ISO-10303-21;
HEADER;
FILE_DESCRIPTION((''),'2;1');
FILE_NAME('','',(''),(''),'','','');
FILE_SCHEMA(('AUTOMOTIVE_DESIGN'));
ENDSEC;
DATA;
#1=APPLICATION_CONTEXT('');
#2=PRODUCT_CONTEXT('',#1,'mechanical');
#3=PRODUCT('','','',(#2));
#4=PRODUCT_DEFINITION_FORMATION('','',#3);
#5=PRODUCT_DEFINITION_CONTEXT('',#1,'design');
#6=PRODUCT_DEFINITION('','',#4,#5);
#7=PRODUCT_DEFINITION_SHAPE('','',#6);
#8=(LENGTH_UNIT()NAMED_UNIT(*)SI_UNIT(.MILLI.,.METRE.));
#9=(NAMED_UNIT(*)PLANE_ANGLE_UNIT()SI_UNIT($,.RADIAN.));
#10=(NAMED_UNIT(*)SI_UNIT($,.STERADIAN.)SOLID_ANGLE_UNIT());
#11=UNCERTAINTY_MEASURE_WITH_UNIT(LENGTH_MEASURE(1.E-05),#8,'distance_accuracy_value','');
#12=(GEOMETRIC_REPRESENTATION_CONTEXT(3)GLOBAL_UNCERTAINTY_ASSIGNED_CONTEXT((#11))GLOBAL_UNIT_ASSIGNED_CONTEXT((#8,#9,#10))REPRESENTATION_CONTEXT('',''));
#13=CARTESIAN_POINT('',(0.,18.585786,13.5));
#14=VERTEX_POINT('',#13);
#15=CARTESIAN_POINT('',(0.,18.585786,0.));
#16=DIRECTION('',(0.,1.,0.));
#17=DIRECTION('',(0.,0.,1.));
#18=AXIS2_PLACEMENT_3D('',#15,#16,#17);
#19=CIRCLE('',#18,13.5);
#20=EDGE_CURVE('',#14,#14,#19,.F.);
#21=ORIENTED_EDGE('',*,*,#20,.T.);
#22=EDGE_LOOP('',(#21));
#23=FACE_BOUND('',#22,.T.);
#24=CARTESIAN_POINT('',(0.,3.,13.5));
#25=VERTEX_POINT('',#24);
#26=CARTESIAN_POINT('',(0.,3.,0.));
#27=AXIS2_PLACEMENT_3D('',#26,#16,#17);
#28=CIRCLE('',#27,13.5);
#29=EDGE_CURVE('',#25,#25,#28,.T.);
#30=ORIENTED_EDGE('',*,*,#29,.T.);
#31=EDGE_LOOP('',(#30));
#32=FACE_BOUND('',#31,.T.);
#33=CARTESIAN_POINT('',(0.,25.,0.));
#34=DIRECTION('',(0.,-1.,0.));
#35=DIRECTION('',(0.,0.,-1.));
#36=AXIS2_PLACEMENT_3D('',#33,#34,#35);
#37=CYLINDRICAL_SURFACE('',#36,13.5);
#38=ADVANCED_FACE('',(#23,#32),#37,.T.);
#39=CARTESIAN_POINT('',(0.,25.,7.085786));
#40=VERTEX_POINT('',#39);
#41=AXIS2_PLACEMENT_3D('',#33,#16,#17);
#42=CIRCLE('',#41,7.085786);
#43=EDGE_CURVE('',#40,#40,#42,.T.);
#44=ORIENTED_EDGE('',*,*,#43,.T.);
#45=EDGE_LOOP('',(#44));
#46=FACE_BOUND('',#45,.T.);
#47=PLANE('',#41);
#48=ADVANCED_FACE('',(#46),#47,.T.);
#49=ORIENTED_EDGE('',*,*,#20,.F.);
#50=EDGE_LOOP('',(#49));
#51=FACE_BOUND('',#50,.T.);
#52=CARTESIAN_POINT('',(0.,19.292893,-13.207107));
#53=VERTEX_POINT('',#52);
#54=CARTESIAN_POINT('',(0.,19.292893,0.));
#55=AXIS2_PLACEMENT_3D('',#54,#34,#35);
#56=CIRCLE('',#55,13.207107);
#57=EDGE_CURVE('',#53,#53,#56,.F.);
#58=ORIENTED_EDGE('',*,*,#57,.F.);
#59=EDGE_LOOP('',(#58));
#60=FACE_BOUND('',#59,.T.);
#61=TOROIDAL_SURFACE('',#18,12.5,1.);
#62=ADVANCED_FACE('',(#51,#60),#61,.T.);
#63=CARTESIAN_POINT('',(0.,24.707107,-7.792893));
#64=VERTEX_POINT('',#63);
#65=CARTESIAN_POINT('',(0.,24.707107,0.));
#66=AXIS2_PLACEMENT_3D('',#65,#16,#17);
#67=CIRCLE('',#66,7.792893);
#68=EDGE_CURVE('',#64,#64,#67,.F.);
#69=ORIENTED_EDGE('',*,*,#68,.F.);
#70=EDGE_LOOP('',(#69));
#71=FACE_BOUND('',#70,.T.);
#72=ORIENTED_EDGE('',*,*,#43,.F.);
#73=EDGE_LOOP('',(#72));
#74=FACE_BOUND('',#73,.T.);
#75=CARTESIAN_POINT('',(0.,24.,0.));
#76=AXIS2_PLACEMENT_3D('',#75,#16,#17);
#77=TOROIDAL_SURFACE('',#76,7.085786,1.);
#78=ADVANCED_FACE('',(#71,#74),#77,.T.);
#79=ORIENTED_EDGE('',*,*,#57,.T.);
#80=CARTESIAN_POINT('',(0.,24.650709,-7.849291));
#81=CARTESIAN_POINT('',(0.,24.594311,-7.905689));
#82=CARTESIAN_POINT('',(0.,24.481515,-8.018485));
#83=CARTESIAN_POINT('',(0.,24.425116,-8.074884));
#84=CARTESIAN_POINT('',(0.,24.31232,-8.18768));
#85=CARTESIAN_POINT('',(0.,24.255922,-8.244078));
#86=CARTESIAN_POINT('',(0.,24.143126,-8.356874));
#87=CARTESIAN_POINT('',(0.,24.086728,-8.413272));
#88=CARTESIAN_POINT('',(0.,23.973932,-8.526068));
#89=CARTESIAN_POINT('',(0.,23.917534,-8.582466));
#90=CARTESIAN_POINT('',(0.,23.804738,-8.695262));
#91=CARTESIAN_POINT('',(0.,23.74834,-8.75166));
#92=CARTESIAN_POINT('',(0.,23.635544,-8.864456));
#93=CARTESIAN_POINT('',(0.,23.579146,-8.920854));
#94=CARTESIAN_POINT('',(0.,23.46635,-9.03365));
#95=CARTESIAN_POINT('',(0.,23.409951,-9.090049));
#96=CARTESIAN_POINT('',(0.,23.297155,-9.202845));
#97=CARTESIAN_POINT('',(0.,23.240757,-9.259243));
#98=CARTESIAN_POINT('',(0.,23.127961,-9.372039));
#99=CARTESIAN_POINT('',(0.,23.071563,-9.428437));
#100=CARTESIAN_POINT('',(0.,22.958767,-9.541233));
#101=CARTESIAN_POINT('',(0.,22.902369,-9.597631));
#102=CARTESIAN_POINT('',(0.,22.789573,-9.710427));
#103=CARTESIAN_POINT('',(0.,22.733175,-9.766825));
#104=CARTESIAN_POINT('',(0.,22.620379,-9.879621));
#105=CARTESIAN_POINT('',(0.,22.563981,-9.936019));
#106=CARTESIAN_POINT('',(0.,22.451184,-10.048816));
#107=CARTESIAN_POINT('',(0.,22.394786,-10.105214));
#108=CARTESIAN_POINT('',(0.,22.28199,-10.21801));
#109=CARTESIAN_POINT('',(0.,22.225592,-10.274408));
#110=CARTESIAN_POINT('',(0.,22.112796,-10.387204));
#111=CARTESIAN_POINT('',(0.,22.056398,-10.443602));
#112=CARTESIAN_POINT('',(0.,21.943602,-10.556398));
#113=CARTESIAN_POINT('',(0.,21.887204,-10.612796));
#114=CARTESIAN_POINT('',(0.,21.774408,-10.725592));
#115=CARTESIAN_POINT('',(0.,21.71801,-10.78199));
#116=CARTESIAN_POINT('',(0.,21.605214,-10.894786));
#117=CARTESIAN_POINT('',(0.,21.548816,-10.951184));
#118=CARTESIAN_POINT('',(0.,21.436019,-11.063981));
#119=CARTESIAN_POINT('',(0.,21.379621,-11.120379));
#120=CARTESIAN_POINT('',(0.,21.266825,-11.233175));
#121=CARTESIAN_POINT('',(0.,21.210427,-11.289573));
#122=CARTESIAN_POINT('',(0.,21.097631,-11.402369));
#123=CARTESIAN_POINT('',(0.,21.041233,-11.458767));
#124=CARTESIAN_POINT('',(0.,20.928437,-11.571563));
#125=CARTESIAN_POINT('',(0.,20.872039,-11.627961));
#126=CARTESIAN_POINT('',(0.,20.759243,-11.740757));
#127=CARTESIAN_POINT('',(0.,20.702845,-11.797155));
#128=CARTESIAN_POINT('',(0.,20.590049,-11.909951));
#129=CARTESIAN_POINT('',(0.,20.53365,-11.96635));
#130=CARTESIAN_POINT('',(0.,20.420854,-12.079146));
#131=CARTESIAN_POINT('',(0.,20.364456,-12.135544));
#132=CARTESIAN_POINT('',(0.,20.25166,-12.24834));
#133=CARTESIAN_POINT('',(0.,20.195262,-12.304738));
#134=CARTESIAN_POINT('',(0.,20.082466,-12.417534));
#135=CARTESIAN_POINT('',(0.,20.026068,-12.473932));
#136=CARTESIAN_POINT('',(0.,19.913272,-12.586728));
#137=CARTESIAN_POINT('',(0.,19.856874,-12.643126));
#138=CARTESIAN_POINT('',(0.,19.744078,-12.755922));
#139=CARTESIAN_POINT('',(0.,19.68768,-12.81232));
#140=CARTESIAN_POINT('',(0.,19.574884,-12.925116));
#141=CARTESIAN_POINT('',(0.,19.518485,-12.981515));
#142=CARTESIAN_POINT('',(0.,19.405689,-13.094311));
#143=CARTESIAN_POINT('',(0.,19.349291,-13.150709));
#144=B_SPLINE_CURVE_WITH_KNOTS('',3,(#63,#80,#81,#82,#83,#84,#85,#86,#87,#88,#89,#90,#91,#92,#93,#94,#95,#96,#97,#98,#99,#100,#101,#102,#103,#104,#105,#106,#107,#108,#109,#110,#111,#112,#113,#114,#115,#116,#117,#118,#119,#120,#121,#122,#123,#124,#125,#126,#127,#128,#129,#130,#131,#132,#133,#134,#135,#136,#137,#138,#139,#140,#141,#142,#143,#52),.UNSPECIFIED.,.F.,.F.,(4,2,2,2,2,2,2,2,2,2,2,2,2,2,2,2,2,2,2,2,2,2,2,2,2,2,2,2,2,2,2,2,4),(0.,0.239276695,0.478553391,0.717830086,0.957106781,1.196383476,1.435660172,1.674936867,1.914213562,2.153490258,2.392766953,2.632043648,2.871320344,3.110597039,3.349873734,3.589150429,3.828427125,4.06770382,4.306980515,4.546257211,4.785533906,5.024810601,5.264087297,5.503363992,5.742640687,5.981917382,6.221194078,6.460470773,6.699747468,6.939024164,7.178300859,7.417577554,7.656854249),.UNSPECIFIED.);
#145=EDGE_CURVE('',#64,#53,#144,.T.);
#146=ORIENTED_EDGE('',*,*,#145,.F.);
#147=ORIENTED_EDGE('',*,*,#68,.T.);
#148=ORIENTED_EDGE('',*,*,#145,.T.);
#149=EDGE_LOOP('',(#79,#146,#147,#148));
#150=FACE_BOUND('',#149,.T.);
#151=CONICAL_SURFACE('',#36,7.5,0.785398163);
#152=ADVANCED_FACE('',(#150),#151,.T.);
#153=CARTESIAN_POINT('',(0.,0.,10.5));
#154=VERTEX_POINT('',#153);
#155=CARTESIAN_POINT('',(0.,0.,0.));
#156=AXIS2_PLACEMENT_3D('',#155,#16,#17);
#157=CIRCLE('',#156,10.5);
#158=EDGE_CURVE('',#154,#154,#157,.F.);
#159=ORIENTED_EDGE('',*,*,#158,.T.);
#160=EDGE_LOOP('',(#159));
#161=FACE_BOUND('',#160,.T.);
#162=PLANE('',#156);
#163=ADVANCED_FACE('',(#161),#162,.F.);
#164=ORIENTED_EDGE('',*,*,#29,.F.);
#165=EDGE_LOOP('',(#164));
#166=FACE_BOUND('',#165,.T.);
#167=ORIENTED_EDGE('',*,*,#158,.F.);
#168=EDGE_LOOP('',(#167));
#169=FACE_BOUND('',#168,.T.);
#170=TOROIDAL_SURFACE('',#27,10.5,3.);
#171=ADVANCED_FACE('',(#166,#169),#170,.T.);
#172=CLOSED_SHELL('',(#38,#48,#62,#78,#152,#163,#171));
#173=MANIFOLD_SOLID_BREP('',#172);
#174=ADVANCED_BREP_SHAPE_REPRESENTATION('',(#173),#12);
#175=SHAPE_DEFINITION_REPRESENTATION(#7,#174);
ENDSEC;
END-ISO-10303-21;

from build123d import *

# Parameters (mm, degrees)
SKETCH1_R           = 13.5
BOSS_EXTRUDE1_DEPTH = 25
CHAMFER1_SIZE       = 6
FILLET1_R           = 3
FILLET2_R           = 1


with BuildPart() as part:
    # Sketch1 → Boss-Extrude1 (new body)
    with BuildSketch(Plane(origin=(0, 0, 0), x_dir=(1, 0, 0), z_dir=(0, 1, 0))):
        with Locations(Location((0, 0, 0), (0, 0, 270))):
            Circle(SKETCH1_R)
    extrude(amount=BOSS_EXTRUDE1_DEPTH)

    # Chamfer1
    chamfer1_edges = [part.edges().sort_by_distance(p)[0] for p in [
        (0, 25, -13.5),
    ]]
    chamfer(chamfer1_edges, length=CHAMFER1_SIZE)

    # Fillet1
    fillet1_edges = [part.edges().sort_by_distance(p)[0] for p in [
        (0, 0, -13.5),
    ]]
    fillet(fillet1_edges, radius=FILLET1_R)

    # Fillet2
    fillet2_edges = [part.edges().sort_by_distance(p)[0] for p in [
        (0, 25, -7.5),
        (0, 19, -13.5),
    ]]
    fillet(fillet2_edges, radius=FILLET2_R)


solid = part.part
